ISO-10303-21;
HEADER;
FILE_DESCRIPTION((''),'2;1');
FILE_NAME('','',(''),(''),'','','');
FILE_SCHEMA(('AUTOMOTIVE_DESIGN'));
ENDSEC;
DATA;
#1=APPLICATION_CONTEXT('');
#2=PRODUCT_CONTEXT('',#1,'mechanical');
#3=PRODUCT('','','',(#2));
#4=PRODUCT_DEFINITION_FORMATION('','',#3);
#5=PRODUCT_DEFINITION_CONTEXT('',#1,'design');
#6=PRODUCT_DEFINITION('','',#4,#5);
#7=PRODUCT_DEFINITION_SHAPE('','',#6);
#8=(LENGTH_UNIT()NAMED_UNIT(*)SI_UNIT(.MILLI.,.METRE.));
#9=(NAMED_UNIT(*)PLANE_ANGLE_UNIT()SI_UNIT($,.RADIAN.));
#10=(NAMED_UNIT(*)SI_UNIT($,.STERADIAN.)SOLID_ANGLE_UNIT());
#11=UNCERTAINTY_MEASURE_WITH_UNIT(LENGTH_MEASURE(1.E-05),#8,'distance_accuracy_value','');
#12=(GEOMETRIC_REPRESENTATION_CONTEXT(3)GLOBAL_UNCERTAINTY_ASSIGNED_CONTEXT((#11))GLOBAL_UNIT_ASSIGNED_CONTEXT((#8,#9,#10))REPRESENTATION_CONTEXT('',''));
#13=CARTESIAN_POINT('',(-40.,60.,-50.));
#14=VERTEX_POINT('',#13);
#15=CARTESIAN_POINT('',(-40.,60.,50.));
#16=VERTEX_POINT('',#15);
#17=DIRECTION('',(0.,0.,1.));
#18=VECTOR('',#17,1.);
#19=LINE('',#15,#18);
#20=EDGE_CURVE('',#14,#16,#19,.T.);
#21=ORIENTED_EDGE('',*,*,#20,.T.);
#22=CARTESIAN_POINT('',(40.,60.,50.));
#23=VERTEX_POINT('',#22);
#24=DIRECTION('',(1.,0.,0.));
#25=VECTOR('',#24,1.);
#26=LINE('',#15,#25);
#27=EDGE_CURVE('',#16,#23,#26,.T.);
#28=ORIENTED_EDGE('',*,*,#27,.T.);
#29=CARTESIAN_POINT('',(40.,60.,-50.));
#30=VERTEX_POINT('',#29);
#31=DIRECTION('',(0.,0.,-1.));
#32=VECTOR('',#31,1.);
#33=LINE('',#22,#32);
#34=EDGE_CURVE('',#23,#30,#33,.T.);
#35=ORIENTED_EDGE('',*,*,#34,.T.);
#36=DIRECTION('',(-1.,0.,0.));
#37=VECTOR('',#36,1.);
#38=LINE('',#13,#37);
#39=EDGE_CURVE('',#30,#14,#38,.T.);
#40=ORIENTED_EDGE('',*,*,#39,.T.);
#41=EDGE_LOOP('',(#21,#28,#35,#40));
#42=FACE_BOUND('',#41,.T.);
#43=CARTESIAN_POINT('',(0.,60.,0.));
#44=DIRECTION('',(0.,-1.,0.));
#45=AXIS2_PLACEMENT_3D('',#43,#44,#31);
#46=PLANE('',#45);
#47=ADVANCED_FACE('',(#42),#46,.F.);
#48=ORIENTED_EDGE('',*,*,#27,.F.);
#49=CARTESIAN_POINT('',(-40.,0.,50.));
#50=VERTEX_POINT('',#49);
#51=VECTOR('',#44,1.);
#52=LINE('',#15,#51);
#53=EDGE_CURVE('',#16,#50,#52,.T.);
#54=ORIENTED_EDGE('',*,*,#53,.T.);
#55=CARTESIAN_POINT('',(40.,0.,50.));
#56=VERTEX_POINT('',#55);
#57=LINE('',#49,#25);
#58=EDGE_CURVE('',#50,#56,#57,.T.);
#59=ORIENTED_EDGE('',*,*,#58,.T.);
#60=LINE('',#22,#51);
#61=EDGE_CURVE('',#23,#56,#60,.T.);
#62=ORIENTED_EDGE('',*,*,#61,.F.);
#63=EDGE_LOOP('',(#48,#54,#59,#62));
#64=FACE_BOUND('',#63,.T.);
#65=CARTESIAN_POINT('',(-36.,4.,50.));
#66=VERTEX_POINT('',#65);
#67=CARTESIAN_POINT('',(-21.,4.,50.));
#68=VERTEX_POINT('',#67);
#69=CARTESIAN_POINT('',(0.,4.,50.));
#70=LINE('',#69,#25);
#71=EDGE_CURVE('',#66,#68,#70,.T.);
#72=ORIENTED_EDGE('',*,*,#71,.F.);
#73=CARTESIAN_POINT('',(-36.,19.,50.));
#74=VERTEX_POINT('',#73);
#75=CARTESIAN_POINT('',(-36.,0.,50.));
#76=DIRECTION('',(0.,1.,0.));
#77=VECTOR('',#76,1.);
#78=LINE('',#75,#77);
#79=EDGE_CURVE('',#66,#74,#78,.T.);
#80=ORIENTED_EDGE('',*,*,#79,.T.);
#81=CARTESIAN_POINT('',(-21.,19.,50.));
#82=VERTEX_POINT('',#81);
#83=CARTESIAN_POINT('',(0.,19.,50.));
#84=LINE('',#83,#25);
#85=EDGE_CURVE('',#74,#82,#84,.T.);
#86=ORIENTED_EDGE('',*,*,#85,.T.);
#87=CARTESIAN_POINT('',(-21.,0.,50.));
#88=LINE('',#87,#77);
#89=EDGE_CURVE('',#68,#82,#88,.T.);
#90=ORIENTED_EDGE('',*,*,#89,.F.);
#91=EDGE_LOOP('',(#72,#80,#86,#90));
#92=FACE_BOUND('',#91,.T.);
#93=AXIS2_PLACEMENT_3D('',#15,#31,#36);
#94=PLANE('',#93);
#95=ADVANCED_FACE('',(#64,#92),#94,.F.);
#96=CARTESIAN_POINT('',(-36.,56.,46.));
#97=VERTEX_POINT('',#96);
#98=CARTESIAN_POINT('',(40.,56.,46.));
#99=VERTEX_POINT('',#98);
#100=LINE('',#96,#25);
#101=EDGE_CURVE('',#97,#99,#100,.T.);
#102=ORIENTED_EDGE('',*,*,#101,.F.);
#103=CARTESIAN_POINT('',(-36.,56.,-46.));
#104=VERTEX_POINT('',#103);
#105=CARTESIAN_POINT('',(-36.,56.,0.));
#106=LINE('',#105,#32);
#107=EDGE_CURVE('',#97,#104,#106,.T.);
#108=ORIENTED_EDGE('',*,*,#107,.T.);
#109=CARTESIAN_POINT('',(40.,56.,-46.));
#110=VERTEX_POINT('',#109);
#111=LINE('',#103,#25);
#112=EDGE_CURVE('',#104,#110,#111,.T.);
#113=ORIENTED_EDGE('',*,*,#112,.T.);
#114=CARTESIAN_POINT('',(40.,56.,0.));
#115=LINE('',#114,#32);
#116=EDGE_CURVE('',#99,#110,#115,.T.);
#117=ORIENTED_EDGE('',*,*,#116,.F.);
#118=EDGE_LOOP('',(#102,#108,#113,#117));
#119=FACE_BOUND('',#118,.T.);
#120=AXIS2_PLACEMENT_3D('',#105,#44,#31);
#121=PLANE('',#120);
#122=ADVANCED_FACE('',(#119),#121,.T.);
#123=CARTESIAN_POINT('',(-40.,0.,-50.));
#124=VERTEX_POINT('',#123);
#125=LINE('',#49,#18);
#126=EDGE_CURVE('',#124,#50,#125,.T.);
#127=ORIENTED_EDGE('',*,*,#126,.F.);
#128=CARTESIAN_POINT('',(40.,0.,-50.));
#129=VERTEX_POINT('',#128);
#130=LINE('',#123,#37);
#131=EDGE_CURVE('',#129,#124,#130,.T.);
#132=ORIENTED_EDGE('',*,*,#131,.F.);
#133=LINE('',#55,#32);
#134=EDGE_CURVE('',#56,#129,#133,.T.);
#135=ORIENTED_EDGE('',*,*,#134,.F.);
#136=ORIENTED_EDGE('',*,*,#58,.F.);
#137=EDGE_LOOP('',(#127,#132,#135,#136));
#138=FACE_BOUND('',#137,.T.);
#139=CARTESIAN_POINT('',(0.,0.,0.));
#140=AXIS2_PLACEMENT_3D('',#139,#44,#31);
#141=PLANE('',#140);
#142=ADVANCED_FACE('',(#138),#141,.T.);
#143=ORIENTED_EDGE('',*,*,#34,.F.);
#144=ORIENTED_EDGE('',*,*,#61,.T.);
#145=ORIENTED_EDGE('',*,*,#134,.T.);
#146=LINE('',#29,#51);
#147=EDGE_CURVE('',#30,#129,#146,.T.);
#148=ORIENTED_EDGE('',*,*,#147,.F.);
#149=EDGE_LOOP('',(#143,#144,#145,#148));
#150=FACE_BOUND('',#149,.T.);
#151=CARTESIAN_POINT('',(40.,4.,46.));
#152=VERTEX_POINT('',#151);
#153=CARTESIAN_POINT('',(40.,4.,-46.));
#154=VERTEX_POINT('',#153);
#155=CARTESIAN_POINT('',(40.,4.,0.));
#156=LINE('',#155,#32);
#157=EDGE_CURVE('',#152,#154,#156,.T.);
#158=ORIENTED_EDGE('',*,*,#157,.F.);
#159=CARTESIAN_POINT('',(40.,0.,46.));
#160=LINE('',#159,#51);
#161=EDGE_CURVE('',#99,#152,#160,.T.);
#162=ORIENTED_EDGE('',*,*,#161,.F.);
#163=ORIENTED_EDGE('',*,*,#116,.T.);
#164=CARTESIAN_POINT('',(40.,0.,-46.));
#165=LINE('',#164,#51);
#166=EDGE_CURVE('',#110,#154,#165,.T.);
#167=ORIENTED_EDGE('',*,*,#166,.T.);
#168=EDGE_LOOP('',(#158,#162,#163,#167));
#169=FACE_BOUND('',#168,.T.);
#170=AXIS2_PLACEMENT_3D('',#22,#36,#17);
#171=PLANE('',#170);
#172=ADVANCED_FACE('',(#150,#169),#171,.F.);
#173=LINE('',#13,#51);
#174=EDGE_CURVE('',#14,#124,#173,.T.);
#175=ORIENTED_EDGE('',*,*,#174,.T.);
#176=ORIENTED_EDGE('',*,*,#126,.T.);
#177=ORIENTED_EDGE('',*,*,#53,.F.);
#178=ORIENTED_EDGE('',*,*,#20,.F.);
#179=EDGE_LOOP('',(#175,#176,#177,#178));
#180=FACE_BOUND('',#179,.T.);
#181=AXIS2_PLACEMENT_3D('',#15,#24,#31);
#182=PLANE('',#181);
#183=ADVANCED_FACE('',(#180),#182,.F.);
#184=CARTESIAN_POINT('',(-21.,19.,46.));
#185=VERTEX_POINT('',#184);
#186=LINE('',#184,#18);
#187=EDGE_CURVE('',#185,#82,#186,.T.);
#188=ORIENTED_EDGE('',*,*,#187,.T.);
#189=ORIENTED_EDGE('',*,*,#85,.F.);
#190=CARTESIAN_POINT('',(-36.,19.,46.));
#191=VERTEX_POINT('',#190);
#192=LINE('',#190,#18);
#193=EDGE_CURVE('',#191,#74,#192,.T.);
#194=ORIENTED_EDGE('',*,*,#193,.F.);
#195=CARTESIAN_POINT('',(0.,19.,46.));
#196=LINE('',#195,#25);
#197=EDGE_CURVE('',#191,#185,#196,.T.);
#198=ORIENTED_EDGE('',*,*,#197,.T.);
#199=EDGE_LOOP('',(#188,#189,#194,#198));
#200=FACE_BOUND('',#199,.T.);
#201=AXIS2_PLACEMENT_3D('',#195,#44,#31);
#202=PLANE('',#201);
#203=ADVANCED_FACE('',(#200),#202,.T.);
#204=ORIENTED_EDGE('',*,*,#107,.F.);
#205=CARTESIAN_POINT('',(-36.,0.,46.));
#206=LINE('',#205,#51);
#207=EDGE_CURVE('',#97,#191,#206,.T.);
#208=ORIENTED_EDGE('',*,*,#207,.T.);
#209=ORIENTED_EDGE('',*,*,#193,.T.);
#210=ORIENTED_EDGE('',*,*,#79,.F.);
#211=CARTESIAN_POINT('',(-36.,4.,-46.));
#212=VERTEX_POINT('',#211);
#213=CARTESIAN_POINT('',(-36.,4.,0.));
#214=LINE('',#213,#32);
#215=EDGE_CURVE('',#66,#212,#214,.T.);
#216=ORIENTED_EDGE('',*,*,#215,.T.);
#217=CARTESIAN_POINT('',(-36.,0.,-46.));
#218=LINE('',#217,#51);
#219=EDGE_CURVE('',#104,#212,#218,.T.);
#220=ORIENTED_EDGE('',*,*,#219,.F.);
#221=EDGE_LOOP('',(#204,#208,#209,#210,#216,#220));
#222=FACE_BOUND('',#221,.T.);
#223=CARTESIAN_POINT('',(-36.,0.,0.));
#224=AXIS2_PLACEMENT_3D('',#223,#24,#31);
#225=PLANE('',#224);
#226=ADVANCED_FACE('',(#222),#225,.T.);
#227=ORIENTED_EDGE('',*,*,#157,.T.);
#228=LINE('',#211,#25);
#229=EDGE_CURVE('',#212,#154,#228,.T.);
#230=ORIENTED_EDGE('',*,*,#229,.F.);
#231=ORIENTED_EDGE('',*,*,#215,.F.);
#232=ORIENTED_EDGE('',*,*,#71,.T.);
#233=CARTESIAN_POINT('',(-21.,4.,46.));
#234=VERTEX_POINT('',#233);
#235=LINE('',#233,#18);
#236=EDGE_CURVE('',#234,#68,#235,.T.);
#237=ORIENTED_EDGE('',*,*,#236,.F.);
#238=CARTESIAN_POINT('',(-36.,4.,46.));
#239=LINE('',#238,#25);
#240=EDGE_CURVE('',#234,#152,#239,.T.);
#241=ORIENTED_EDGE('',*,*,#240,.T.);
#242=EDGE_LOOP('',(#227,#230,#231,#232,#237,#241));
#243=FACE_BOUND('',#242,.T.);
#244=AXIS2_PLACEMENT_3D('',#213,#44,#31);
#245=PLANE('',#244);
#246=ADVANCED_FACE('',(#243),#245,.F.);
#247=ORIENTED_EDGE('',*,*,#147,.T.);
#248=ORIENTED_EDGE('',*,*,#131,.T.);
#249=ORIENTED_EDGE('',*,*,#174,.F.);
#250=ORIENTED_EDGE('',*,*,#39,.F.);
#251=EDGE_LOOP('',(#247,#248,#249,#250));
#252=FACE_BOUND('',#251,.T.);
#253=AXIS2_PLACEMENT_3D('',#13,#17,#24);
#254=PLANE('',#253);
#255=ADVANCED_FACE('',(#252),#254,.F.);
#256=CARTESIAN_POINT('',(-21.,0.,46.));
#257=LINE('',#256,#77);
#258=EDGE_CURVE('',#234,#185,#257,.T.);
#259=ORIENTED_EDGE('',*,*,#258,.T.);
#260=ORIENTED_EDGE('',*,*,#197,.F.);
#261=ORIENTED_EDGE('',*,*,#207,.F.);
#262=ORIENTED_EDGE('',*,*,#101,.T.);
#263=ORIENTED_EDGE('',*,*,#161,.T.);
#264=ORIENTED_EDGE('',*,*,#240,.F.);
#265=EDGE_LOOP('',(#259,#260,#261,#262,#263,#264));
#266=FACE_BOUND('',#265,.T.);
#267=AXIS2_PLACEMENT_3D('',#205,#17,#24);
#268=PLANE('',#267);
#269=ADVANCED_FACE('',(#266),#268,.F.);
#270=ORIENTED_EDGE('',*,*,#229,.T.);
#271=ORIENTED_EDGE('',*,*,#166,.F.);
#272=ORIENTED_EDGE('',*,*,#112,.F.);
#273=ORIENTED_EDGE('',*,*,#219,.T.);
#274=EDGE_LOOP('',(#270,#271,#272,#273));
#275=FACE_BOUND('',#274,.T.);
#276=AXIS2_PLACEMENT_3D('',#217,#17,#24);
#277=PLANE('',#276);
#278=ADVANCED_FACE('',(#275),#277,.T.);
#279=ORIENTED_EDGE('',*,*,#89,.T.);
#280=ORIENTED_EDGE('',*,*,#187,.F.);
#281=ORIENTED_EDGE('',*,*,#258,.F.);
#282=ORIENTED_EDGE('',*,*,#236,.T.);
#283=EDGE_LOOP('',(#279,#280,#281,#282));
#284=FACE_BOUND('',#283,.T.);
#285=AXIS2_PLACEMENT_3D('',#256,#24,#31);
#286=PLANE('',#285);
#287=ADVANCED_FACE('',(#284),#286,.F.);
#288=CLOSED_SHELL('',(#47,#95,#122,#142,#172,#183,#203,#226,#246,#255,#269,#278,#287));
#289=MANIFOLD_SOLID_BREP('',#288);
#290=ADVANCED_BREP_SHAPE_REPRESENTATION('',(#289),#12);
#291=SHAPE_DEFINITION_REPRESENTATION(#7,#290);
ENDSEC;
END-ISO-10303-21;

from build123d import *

# Parameters (mm, degrees)
SKETCH1_W           = 80
SKETCH1_H           = 100
BOSS_EXTRUDE1_DEPTH = 60
SKETCH4_W           = 92
SKETCH4_H           = 52
CUT_EXTRUDE1_DEPTH  = 76
SKETCH5_W           = 15
SKETCH5_H           = 15
CUT_EXTRUDE2_DEPTH  = 4


with BuildPart() as part:
    # Sketch1 → Boss-Extrude1 (new body)
    with BuildSketch(Plane(origin=(0, 0, 0), x_dir=(1, 0, 0), z_dir=(0, 1, 0))):
        Rectangle(SKETCH1_W, SKETCH1_H)
    extrude(amount=BOSS_EXTRUDE1_DEPTH)

    # Sketch4 → Cut-Extrude1 (cut)
    with BuildSketch(Plane(origin=(40, 0, 0), x_dir=(0, 0, -1), z_dir=(1, 0, 0))):
        with Locations((0, 30)):
            Rectangle(SKETCH4_W, SKETCH4_H)
    extrude(amount=-CUT_EXTRUDE1_DEPTH, mode=Mode.SUBTRACT)

    # Sketch5 → Cut-Extrude2 (cut)
    with BuildSketch(Plane.XY.offset(50)):
        with Locations((-28.5, 11.5)):
            Rectangle(SKETCH5_W, SKETCH5_H)
    extrude(amount=-CUT_EXTRUDE2_DEPTH, mode=Mode.SUBTRACT)


solid = part.part
